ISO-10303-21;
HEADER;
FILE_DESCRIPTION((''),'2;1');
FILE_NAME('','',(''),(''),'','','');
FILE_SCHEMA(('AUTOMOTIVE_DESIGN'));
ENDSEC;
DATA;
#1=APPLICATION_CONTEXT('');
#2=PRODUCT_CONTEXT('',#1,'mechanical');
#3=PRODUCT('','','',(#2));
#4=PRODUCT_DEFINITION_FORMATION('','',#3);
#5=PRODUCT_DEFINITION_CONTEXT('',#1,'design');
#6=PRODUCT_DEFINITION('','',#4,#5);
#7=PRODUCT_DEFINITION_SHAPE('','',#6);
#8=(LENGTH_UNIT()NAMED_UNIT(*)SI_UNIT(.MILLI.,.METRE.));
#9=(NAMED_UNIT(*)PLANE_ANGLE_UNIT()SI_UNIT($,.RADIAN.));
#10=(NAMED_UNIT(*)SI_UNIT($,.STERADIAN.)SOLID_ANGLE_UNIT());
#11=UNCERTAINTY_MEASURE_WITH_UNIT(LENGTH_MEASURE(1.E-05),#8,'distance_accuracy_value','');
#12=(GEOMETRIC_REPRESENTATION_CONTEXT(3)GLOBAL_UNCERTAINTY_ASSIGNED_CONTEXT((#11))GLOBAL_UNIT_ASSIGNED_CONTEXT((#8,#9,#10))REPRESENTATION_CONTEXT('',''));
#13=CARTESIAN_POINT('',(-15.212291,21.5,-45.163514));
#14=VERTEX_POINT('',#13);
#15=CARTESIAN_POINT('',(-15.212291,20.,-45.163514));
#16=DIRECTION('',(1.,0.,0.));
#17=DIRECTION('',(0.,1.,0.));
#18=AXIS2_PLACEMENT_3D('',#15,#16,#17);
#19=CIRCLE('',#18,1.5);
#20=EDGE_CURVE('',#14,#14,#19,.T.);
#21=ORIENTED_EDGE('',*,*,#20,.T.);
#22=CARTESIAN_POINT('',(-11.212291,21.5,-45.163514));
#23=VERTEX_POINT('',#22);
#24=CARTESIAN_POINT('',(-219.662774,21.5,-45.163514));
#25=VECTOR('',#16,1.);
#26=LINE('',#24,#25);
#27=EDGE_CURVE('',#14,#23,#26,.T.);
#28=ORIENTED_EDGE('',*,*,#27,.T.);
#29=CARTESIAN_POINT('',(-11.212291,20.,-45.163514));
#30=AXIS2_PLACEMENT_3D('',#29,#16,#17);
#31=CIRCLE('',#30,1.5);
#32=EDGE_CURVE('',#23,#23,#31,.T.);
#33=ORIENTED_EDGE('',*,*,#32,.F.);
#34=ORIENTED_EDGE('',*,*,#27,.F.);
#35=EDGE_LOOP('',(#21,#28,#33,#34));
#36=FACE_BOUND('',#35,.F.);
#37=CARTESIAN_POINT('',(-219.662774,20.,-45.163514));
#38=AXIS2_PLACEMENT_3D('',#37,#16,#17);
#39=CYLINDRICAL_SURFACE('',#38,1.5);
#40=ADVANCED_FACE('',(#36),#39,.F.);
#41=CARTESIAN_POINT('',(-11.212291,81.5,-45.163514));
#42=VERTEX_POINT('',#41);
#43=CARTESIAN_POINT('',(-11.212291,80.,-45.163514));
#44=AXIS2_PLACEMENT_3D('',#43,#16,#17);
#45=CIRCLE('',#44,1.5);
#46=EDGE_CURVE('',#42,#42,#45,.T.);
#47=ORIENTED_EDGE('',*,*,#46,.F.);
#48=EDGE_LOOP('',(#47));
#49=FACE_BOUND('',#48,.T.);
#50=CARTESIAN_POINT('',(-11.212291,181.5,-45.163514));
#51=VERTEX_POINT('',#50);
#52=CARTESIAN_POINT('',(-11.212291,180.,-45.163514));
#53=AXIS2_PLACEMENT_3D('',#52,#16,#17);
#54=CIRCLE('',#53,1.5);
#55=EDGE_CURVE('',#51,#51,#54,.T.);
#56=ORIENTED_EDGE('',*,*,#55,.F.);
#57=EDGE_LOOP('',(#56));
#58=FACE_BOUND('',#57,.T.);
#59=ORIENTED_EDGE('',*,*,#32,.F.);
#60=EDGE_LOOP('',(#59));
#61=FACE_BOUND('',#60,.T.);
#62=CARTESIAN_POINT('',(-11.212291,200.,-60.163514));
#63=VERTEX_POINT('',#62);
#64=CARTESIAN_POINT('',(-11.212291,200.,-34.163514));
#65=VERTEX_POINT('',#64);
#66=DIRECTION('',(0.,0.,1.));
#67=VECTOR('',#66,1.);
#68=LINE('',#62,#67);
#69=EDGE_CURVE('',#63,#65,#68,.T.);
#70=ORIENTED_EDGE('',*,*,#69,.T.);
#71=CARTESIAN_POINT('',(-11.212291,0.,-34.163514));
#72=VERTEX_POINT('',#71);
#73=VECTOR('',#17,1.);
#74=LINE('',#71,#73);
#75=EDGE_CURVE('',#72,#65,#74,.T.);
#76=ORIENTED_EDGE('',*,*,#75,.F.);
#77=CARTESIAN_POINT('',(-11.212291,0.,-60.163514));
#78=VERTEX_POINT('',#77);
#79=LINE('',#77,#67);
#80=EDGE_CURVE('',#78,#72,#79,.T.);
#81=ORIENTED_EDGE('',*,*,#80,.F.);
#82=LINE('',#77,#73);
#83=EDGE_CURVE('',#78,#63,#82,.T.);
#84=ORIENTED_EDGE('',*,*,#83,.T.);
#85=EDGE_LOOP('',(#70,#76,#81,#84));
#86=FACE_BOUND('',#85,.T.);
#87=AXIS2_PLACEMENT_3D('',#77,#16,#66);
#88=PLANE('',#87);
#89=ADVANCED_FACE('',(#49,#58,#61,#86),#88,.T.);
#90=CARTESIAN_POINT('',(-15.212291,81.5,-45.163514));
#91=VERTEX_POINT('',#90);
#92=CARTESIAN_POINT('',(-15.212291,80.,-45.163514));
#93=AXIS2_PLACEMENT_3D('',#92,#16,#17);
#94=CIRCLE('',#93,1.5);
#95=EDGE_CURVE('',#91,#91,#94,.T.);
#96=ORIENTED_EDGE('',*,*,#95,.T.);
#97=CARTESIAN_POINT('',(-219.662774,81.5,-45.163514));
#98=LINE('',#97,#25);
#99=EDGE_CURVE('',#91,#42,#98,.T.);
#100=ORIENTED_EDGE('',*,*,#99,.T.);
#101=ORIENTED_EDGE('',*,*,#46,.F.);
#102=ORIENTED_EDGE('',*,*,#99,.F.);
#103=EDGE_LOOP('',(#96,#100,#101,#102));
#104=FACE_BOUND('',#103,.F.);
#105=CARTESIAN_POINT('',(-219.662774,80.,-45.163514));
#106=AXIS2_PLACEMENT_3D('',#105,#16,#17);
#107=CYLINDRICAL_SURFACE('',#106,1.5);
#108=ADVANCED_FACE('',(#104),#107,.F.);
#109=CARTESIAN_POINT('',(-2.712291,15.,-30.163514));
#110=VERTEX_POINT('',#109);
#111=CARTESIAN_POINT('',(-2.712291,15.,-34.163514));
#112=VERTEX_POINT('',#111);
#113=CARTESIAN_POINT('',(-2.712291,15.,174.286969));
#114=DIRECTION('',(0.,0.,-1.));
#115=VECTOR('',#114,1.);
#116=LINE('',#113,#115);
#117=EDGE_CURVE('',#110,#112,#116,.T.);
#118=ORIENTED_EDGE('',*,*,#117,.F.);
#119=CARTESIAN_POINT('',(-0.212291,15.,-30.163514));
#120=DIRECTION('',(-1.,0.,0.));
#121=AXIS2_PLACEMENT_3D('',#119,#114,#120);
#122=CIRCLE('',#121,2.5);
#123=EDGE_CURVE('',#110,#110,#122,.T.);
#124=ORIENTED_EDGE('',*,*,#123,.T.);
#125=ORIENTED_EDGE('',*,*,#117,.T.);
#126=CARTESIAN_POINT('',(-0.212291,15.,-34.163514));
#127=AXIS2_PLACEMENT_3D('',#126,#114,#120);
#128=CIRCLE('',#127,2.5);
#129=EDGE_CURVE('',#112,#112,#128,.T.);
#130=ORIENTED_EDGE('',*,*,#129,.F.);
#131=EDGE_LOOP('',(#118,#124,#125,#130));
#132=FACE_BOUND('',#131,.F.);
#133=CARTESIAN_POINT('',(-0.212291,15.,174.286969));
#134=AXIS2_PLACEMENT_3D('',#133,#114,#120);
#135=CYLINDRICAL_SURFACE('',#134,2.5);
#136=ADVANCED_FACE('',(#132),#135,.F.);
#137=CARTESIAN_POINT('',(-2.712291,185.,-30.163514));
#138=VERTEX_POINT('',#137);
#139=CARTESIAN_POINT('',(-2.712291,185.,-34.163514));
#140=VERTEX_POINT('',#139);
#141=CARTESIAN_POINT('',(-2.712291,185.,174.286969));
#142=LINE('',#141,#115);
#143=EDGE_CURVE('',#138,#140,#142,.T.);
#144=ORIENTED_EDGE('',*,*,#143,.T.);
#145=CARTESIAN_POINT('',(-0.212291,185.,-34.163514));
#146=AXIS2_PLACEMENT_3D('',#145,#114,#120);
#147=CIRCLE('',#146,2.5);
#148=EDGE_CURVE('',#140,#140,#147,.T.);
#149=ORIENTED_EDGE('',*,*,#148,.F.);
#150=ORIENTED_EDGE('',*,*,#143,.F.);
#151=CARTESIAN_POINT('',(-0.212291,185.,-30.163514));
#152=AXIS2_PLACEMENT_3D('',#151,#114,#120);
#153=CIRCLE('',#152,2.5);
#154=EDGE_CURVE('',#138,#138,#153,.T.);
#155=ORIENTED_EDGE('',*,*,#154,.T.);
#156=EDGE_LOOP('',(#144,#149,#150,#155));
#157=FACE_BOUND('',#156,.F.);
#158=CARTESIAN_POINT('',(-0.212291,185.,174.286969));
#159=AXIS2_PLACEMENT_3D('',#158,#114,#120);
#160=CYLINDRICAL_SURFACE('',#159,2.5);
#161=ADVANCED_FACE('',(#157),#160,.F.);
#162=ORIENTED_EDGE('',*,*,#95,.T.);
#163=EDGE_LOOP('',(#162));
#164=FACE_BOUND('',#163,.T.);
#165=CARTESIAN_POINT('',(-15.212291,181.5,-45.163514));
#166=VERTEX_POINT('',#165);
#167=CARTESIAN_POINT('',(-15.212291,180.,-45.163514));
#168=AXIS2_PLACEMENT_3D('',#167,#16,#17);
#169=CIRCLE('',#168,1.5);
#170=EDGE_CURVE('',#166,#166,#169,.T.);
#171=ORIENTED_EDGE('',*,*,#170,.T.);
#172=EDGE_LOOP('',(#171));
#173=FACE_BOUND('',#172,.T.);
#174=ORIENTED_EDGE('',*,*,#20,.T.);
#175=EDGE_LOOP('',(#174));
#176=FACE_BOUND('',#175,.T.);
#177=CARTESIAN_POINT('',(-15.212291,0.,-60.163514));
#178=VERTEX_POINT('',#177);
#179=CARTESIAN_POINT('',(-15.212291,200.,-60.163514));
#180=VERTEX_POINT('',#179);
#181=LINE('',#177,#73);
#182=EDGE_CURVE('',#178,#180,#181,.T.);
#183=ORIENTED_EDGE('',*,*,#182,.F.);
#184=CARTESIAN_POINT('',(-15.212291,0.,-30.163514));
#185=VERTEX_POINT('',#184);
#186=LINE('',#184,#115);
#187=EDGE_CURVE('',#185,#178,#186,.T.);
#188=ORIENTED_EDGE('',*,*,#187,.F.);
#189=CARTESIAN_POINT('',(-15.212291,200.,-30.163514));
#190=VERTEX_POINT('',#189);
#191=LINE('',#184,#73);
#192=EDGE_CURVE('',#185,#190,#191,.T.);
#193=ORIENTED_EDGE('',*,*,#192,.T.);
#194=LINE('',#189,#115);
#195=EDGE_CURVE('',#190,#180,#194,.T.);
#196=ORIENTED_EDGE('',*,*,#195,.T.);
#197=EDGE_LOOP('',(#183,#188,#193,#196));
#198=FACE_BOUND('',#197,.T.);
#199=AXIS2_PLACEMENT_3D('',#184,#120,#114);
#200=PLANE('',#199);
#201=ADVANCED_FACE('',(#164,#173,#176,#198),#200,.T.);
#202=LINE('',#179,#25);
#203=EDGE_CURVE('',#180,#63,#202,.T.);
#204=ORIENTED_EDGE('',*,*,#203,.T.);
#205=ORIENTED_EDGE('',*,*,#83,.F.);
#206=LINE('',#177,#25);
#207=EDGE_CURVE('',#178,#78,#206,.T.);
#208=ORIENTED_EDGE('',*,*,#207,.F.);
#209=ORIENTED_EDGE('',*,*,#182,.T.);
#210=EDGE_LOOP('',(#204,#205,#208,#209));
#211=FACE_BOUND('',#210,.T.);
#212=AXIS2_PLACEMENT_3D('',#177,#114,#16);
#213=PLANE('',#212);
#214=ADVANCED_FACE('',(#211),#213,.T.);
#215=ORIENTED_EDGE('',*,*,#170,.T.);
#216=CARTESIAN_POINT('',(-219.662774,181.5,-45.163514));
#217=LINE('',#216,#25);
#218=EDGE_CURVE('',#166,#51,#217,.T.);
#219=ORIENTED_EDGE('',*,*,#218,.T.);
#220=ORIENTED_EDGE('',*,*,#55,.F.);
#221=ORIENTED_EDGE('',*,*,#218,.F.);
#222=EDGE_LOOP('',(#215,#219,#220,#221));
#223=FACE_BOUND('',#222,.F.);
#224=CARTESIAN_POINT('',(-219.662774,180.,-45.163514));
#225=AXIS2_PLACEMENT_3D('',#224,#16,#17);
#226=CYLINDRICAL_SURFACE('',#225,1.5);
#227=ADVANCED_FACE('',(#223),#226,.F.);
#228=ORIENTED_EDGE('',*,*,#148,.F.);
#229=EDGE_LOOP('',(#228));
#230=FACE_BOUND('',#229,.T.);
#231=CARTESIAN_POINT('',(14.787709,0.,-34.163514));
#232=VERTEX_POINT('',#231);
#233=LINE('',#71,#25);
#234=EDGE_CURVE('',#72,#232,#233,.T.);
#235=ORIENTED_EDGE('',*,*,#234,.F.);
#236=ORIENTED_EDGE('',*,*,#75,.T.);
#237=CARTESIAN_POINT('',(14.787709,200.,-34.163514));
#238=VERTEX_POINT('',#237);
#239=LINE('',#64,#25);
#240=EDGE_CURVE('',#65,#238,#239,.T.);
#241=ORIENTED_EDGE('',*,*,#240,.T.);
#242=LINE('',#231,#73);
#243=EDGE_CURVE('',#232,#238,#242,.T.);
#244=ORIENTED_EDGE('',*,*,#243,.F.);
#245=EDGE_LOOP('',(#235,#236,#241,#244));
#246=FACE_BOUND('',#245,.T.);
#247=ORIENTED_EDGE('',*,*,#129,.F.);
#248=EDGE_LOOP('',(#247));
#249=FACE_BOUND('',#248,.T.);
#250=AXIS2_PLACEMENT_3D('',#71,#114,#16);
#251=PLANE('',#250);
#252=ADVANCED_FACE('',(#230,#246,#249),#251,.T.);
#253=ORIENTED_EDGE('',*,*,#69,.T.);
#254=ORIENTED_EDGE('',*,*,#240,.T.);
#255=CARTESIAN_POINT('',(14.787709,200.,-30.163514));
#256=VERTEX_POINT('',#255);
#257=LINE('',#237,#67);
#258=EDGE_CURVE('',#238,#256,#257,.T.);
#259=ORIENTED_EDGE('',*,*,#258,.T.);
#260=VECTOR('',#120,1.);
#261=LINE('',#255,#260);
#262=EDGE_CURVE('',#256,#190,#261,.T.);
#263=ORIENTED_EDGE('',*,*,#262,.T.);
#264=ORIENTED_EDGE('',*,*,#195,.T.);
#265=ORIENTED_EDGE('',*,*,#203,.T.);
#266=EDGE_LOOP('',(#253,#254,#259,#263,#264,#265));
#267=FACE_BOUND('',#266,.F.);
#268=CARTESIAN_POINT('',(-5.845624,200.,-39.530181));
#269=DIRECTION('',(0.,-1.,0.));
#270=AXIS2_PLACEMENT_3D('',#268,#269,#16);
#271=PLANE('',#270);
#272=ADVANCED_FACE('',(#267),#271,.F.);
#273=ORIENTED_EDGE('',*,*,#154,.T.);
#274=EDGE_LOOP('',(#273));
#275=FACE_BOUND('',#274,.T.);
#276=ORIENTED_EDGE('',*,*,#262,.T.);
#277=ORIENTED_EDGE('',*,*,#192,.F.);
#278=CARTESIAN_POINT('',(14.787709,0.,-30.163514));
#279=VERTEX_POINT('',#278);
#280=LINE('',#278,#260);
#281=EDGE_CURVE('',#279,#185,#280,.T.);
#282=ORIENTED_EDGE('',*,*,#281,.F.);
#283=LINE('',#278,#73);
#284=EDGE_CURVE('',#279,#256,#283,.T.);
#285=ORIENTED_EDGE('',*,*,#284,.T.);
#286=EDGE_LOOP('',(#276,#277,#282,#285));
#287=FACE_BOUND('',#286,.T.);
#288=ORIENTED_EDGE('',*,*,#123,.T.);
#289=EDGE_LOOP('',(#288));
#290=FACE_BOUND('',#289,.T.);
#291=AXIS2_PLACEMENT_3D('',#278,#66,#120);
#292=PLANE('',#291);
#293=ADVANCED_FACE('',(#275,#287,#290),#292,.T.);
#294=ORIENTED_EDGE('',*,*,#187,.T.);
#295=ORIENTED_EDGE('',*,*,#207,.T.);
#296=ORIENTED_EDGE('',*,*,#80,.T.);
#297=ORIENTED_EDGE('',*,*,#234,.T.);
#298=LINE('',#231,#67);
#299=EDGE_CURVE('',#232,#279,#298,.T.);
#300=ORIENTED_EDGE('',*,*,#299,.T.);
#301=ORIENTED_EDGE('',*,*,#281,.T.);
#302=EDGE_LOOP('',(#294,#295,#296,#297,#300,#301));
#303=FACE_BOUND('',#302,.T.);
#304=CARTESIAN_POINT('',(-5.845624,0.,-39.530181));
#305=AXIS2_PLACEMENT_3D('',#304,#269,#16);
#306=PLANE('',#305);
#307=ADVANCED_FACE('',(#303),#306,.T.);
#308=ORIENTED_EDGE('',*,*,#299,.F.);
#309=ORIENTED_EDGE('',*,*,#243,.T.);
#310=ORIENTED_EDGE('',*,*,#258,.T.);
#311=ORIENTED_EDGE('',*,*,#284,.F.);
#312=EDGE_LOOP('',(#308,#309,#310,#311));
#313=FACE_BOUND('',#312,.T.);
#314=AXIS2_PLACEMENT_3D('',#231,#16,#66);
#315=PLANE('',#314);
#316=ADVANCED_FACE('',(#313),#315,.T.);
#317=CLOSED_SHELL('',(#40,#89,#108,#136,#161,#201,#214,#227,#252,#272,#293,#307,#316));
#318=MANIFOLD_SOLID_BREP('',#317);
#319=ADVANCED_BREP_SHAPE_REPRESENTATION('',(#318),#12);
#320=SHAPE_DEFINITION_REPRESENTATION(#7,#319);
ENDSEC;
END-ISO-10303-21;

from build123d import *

# Parameters (mm, degrees)
F1_DEPTH = 200
F4_D     = 3
F6_D     = 5


with BuildPart() as f1:
    # F0 (on Front) → F1 (new body)
    with BuildSketch(Plane.XZ):
        Polygon((-11.212291, -34.163514), (14.787709, -34.163514), (14.787709, -30.163514), (-15.212291, -30.163514), (-15.212291, -60.163514), (-11.212291, -60.163514), align=None)
    extrude(amount=-F1_DEPTH)

    # F4 (through all)
    with Locations(Plane(origin=(-15.212291, 0, 0), x_dir=(0, -1, 0), z_dir=(-1, 0, 0))):
        with Locations((-20, -45.163514), (-80, -45.163514), (-180, -45.163514)):
            Hole(F4_D / 2)

    # F6 (through all)
    with Locations(Plane.XY.offset(-30.163514)):
        with Locations((-0.212291, 185), (-0.212291, 15)):
            Hole(F6_D / 2)


solid = f1.part
